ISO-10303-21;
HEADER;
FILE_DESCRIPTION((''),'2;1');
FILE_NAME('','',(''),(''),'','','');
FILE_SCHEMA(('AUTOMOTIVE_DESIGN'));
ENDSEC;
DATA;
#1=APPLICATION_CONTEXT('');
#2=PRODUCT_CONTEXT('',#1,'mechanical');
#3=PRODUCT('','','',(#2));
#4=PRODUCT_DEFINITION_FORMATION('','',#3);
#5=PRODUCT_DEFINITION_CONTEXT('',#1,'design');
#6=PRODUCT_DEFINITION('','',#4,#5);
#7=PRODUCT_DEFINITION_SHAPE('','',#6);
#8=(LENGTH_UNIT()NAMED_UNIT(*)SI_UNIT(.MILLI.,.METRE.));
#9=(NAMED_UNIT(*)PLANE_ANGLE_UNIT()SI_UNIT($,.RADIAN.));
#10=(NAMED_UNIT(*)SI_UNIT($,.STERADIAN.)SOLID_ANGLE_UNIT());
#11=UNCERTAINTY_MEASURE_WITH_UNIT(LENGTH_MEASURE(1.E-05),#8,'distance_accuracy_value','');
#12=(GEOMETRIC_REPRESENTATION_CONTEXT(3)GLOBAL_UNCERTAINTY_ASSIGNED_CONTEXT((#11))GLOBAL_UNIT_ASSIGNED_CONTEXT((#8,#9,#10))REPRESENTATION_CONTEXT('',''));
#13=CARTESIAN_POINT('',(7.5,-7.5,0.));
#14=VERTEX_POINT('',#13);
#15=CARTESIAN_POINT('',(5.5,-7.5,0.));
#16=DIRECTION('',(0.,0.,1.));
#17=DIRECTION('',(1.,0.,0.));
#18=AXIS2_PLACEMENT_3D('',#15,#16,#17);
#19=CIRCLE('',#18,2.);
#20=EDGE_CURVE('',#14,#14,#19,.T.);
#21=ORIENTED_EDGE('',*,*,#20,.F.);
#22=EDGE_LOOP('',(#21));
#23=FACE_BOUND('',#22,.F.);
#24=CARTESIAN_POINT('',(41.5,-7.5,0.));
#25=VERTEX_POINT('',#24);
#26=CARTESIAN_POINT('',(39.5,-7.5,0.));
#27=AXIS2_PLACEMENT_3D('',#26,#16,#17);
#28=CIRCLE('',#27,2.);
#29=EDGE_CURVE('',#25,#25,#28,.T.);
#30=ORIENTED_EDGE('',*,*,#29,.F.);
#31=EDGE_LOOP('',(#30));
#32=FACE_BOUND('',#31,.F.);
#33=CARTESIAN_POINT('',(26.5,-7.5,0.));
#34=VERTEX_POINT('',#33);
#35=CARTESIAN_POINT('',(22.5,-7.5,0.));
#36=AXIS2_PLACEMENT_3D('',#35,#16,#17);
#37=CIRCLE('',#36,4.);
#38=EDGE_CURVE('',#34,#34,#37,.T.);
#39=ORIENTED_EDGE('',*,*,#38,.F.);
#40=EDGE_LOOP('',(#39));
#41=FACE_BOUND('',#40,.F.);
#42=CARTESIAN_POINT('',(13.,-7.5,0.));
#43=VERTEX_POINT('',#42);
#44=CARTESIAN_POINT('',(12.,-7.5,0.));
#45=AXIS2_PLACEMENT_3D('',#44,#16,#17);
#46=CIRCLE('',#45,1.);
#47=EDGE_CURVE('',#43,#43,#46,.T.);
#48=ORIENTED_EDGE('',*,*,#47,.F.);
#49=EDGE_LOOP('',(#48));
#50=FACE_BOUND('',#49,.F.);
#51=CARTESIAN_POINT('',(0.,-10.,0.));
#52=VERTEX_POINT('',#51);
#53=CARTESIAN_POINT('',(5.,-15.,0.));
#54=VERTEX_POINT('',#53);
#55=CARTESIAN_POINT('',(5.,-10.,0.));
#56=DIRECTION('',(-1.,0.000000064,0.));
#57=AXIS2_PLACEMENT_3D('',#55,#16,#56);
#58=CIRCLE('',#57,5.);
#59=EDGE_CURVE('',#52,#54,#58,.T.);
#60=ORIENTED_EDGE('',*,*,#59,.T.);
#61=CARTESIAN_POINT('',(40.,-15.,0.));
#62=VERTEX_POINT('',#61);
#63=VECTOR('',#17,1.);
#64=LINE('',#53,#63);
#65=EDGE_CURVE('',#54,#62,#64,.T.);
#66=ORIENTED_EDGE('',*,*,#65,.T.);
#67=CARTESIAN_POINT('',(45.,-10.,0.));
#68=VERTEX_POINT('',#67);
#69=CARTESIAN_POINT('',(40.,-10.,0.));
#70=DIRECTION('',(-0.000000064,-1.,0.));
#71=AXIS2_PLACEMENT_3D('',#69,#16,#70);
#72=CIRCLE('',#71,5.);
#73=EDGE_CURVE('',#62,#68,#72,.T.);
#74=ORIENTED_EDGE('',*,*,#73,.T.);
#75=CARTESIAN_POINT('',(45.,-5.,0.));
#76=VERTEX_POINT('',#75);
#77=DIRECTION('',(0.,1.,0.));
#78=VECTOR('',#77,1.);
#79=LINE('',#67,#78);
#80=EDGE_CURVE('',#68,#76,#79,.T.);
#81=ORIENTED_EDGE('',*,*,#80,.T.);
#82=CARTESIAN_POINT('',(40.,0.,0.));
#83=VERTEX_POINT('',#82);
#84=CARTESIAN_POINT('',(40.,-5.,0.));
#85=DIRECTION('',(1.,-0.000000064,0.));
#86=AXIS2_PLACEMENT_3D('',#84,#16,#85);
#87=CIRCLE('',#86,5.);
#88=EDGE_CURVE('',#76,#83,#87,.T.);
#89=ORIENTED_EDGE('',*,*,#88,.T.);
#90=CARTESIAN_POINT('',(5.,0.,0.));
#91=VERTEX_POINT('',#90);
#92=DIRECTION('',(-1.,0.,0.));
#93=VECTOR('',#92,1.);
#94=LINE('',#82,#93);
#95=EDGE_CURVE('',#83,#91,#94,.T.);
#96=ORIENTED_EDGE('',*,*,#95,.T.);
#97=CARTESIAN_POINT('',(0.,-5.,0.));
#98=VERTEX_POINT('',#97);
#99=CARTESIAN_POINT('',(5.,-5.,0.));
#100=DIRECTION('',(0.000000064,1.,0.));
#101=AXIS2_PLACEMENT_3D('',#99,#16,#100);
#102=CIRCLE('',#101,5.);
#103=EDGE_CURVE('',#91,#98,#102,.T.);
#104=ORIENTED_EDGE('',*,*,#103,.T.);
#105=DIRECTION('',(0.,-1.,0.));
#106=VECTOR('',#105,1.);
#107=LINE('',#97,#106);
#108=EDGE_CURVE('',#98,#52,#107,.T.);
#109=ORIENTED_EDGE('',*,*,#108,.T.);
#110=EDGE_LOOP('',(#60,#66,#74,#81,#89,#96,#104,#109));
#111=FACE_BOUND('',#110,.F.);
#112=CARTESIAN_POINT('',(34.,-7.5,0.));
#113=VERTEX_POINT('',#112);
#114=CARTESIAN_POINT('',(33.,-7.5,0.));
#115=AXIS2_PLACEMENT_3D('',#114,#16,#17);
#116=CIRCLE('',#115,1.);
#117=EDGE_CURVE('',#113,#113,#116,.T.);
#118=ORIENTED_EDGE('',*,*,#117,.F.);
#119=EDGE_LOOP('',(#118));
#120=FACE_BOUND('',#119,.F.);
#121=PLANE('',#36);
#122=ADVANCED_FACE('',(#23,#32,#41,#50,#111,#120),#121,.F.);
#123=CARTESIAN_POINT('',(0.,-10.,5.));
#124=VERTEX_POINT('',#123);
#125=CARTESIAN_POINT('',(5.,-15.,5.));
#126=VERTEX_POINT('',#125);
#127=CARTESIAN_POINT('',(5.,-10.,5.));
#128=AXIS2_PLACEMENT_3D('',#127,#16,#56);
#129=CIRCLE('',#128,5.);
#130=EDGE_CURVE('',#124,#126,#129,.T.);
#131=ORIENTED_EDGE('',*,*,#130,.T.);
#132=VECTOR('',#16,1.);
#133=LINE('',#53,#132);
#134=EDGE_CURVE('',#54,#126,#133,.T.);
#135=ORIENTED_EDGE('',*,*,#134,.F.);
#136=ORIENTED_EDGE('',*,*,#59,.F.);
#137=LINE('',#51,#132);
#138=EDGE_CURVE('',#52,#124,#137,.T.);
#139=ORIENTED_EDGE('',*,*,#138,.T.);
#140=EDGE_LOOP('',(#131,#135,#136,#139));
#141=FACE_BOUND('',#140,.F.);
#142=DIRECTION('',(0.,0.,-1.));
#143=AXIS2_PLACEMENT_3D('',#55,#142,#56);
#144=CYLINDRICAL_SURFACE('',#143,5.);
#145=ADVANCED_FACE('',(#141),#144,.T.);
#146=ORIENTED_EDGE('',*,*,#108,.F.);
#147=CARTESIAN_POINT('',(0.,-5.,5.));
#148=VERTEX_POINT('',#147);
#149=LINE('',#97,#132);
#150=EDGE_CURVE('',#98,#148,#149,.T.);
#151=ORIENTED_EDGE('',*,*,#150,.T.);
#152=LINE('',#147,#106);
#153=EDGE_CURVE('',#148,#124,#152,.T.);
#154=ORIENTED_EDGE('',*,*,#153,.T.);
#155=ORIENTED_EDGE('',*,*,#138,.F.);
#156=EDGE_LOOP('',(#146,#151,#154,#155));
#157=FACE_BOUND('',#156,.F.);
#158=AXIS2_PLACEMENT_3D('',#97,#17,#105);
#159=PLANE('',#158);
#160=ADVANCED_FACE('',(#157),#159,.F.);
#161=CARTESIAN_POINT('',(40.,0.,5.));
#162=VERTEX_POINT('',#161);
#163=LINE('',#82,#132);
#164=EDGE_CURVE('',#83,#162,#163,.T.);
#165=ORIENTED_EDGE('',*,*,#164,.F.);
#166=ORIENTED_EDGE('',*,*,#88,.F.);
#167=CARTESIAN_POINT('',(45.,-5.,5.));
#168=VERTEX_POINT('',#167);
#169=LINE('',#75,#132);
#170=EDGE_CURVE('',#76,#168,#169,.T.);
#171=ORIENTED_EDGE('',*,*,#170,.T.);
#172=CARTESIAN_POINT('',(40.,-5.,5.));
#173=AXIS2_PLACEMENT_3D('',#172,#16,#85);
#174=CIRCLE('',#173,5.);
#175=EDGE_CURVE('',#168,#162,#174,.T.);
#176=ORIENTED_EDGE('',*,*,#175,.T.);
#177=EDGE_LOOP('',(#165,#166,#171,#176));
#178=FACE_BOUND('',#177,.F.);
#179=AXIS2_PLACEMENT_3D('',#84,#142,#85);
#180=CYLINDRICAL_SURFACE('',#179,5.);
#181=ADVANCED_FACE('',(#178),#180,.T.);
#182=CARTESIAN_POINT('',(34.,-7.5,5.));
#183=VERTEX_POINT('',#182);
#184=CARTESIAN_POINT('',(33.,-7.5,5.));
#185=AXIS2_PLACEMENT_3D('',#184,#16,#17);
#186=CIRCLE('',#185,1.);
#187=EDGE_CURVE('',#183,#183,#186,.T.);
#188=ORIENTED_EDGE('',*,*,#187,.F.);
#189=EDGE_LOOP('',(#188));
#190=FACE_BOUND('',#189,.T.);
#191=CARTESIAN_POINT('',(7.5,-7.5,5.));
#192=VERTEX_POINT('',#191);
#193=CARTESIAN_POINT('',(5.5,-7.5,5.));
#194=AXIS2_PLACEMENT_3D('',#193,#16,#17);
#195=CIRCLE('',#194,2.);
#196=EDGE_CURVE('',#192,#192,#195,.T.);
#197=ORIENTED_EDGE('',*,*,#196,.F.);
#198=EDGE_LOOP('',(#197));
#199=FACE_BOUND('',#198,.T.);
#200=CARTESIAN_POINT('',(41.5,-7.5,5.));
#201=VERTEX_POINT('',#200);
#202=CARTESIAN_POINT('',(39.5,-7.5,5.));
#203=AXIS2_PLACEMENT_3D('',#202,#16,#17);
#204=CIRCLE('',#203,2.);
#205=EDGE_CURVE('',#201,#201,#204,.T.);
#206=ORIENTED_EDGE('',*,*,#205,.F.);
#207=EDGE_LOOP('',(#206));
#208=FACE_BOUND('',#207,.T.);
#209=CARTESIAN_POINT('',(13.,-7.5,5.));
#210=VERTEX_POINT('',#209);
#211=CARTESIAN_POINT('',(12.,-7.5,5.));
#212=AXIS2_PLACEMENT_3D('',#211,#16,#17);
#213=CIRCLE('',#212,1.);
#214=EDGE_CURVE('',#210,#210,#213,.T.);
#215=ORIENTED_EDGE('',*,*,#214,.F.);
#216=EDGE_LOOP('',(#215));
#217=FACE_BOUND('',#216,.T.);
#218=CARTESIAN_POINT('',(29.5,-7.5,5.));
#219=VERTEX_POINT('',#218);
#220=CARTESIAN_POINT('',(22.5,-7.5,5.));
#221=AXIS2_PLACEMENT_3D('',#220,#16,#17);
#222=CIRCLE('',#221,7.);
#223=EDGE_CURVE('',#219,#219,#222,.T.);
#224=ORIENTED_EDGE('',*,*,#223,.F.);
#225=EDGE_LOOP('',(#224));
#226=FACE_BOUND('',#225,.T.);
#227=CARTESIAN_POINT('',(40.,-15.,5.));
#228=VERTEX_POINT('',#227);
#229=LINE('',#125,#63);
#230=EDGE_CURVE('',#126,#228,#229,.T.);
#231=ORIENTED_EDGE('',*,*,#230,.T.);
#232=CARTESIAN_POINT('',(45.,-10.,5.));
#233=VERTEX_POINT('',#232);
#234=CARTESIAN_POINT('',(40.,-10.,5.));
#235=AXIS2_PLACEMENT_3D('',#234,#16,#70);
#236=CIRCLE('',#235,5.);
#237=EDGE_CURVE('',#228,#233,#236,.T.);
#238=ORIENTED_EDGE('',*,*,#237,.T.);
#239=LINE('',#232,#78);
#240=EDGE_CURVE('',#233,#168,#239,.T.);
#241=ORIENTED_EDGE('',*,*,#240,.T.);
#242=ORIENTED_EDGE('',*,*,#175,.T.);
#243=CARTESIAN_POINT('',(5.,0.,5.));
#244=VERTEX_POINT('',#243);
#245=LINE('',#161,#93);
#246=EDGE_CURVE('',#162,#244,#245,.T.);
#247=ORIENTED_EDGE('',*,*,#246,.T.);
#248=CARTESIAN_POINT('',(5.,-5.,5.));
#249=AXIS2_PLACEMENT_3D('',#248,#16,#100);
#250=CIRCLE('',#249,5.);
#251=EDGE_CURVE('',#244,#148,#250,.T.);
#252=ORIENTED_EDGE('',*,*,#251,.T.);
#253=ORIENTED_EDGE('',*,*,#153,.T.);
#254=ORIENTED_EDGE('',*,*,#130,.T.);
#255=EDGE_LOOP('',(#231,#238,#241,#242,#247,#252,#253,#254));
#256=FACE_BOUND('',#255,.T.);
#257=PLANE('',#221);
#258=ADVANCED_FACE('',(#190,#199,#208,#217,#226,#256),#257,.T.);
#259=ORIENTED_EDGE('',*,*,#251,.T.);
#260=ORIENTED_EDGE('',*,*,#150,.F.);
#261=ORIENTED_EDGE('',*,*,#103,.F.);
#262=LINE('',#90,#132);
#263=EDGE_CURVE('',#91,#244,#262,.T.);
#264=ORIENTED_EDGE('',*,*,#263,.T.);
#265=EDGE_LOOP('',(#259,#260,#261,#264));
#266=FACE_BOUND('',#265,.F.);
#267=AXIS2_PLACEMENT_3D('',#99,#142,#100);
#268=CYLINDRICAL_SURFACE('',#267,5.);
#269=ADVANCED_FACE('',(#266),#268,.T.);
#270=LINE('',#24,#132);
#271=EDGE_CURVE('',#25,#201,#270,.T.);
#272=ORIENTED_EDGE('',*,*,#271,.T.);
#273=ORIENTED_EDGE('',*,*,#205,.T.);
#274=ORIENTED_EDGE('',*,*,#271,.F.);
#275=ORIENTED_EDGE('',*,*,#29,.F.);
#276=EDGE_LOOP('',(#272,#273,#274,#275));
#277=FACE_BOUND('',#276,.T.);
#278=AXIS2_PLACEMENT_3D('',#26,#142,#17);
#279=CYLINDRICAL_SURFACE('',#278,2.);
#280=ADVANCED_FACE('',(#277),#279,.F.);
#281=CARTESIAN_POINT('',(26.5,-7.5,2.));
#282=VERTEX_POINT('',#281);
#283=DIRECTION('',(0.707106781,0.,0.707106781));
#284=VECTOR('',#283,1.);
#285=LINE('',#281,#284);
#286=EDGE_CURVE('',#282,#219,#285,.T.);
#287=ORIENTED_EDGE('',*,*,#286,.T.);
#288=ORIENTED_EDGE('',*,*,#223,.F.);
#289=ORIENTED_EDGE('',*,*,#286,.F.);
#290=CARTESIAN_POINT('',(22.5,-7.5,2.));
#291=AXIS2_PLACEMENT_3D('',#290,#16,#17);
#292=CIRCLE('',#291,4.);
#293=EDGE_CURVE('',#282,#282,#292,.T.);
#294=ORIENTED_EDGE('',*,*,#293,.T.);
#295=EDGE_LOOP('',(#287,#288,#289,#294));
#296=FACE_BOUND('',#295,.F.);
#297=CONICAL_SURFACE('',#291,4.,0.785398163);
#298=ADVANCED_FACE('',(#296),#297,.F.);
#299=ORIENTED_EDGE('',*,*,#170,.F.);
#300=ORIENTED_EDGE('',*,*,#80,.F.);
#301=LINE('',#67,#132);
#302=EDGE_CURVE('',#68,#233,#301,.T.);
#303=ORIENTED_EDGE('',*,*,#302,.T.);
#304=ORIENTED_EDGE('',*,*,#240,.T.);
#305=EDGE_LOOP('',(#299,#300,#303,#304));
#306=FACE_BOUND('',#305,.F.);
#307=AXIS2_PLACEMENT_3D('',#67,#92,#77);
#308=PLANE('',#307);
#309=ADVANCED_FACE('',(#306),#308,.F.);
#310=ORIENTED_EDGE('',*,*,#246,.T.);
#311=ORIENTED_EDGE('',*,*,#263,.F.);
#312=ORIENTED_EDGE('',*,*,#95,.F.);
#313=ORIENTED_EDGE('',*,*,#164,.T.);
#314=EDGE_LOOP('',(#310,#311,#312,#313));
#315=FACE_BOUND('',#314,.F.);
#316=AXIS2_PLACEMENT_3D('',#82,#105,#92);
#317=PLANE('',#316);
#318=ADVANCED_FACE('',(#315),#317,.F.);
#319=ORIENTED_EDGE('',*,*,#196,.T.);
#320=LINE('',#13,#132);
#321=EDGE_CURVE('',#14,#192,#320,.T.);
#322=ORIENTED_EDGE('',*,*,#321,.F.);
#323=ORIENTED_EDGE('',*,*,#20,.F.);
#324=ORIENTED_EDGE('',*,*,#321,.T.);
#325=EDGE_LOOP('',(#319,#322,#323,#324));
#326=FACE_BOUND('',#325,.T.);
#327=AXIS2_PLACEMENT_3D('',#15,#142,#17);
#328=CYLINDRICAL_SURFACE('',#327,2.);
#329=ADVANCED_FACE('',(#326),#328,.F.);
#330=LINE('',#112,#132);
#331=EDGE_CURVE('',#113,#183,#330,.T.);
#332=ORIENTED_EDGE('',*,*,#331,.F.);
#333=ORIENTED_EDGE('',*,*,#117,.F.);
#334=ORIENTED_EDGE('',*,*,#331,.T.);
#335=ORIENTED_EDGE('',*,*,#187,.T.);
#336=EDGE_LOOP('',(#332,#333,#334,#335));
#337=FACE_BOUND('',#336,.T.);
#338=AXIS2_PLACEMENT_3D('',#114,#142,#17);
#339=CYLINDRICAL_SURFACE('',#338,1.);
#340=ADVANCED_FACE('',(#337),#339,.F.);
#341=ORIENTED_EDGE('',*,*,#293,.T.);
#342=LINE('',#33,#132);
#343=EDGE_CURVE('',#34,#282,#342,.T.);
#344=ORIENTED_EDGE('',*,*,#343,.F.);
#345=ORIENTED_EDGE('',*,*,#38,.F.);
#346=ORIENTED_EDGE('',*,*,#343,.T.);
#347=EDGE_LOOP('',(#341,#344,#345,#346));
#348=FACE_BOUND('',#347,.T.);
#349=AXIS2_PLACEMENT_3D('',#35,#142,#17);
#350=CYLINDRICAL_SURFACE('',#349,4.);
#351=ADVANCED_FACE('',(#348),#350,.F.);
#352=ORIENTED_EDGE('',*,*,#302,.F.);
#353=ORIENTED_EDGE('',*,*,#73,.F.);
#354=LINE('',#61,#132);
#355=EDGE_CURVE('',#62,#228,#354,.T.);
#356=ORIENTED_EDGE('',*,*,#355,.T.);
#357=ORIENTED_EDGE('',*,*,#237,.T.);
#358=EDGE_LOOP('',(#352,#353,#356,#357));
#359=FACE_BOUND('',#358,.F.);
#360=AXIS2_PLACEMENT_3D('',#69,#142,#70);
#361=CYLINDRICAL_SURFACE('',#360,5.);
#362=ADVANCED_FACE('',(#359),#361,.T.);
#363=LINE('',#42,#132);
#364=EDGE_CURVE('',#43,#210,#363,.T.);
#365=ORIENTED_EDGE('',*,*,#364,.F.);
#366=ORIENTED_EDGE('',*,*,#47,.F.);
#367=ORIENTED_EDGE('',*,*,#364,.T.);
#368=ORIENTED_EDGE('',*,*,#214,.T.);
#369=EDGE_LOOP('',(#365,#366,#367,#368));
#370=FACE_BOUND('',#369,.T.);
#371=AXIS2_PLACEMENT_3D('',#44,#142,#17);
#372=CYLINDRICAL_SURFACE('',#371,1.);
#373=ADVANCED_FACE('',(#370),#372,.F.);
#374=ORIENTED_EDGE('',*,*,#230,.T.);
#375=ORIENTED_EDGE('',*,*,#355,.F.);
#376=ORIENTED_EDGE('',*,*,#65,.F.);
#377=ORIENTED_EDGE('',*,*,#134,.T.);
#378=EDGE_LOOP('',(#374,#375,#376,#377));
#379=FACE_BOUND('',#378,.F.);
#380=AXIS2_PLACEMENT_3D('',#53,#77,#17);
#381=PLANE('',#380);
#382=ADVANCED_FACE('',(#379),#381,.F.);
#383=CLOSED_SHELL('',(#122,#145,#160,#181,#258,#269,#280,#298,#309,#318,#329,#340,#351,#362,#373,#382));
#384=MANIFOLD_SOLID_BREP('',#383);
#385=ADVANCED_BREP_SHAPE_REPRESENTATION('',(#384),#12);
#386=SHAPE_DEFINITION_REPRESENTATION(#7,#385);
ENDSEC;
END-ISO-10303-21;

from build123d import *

# Parameters (mm, degrees)
F0_R     = 2
F0_R_2   = 1
F0_R_3   = 4
F1_DEPTH = 5
F2_SIZE  = 3


with BuildPart() as f1:
    # F0 (on Top) → F1 (new body)
    with BuildSketch(Plane.XY):
        with BuildLine():
            Line((40, 0), (5, 0))
            ThreePointArc((5, 0), (1.464466, -1.464466), (0, -5))
            Line((0, -5), (0, -10))
            ThreePointArc((0, -10), (1.464466, -13.535534), (5, -15))
            Line((5, -15), (40, -15))
            ThreePointArc((40, -15), (43.535534, -13.535534), (45, -10))
            Line((45, -10), (45, -5))
            ThreePointArc((45, -5), (43.535534, -1.464466), (40, 0))
        make_face()
        with Locations((5.5, -7.5)):
            Circle(F0_R, mode=Mode.SUBTRACT)
        with Locations((12, -7.5)):
            Circle(F0_R_2, mode=Mode.SUBTRACT)
        with Locations((22.5, -7.5)):
            Circle(F0_R_3, mode=Mode.SUBTRACT)
        with Locations((33, -7.5)):
            Circle(F0_R_2, mode=Mode.SUBTRACT)
        with Locations((39.5, -7.5)):
            Circle(F0_R, mode=Mode.SUBTRACT)
    extrude(amount=F1_DEPTH)

    # F2
    f2_edges = [f1.edges().sort_by_distance(p)[0] for p in [
        (18.5, -7.5, 5),
    ]]
    chamfer(f2_edges, length=F2_SIZE)


solid = f1.part
